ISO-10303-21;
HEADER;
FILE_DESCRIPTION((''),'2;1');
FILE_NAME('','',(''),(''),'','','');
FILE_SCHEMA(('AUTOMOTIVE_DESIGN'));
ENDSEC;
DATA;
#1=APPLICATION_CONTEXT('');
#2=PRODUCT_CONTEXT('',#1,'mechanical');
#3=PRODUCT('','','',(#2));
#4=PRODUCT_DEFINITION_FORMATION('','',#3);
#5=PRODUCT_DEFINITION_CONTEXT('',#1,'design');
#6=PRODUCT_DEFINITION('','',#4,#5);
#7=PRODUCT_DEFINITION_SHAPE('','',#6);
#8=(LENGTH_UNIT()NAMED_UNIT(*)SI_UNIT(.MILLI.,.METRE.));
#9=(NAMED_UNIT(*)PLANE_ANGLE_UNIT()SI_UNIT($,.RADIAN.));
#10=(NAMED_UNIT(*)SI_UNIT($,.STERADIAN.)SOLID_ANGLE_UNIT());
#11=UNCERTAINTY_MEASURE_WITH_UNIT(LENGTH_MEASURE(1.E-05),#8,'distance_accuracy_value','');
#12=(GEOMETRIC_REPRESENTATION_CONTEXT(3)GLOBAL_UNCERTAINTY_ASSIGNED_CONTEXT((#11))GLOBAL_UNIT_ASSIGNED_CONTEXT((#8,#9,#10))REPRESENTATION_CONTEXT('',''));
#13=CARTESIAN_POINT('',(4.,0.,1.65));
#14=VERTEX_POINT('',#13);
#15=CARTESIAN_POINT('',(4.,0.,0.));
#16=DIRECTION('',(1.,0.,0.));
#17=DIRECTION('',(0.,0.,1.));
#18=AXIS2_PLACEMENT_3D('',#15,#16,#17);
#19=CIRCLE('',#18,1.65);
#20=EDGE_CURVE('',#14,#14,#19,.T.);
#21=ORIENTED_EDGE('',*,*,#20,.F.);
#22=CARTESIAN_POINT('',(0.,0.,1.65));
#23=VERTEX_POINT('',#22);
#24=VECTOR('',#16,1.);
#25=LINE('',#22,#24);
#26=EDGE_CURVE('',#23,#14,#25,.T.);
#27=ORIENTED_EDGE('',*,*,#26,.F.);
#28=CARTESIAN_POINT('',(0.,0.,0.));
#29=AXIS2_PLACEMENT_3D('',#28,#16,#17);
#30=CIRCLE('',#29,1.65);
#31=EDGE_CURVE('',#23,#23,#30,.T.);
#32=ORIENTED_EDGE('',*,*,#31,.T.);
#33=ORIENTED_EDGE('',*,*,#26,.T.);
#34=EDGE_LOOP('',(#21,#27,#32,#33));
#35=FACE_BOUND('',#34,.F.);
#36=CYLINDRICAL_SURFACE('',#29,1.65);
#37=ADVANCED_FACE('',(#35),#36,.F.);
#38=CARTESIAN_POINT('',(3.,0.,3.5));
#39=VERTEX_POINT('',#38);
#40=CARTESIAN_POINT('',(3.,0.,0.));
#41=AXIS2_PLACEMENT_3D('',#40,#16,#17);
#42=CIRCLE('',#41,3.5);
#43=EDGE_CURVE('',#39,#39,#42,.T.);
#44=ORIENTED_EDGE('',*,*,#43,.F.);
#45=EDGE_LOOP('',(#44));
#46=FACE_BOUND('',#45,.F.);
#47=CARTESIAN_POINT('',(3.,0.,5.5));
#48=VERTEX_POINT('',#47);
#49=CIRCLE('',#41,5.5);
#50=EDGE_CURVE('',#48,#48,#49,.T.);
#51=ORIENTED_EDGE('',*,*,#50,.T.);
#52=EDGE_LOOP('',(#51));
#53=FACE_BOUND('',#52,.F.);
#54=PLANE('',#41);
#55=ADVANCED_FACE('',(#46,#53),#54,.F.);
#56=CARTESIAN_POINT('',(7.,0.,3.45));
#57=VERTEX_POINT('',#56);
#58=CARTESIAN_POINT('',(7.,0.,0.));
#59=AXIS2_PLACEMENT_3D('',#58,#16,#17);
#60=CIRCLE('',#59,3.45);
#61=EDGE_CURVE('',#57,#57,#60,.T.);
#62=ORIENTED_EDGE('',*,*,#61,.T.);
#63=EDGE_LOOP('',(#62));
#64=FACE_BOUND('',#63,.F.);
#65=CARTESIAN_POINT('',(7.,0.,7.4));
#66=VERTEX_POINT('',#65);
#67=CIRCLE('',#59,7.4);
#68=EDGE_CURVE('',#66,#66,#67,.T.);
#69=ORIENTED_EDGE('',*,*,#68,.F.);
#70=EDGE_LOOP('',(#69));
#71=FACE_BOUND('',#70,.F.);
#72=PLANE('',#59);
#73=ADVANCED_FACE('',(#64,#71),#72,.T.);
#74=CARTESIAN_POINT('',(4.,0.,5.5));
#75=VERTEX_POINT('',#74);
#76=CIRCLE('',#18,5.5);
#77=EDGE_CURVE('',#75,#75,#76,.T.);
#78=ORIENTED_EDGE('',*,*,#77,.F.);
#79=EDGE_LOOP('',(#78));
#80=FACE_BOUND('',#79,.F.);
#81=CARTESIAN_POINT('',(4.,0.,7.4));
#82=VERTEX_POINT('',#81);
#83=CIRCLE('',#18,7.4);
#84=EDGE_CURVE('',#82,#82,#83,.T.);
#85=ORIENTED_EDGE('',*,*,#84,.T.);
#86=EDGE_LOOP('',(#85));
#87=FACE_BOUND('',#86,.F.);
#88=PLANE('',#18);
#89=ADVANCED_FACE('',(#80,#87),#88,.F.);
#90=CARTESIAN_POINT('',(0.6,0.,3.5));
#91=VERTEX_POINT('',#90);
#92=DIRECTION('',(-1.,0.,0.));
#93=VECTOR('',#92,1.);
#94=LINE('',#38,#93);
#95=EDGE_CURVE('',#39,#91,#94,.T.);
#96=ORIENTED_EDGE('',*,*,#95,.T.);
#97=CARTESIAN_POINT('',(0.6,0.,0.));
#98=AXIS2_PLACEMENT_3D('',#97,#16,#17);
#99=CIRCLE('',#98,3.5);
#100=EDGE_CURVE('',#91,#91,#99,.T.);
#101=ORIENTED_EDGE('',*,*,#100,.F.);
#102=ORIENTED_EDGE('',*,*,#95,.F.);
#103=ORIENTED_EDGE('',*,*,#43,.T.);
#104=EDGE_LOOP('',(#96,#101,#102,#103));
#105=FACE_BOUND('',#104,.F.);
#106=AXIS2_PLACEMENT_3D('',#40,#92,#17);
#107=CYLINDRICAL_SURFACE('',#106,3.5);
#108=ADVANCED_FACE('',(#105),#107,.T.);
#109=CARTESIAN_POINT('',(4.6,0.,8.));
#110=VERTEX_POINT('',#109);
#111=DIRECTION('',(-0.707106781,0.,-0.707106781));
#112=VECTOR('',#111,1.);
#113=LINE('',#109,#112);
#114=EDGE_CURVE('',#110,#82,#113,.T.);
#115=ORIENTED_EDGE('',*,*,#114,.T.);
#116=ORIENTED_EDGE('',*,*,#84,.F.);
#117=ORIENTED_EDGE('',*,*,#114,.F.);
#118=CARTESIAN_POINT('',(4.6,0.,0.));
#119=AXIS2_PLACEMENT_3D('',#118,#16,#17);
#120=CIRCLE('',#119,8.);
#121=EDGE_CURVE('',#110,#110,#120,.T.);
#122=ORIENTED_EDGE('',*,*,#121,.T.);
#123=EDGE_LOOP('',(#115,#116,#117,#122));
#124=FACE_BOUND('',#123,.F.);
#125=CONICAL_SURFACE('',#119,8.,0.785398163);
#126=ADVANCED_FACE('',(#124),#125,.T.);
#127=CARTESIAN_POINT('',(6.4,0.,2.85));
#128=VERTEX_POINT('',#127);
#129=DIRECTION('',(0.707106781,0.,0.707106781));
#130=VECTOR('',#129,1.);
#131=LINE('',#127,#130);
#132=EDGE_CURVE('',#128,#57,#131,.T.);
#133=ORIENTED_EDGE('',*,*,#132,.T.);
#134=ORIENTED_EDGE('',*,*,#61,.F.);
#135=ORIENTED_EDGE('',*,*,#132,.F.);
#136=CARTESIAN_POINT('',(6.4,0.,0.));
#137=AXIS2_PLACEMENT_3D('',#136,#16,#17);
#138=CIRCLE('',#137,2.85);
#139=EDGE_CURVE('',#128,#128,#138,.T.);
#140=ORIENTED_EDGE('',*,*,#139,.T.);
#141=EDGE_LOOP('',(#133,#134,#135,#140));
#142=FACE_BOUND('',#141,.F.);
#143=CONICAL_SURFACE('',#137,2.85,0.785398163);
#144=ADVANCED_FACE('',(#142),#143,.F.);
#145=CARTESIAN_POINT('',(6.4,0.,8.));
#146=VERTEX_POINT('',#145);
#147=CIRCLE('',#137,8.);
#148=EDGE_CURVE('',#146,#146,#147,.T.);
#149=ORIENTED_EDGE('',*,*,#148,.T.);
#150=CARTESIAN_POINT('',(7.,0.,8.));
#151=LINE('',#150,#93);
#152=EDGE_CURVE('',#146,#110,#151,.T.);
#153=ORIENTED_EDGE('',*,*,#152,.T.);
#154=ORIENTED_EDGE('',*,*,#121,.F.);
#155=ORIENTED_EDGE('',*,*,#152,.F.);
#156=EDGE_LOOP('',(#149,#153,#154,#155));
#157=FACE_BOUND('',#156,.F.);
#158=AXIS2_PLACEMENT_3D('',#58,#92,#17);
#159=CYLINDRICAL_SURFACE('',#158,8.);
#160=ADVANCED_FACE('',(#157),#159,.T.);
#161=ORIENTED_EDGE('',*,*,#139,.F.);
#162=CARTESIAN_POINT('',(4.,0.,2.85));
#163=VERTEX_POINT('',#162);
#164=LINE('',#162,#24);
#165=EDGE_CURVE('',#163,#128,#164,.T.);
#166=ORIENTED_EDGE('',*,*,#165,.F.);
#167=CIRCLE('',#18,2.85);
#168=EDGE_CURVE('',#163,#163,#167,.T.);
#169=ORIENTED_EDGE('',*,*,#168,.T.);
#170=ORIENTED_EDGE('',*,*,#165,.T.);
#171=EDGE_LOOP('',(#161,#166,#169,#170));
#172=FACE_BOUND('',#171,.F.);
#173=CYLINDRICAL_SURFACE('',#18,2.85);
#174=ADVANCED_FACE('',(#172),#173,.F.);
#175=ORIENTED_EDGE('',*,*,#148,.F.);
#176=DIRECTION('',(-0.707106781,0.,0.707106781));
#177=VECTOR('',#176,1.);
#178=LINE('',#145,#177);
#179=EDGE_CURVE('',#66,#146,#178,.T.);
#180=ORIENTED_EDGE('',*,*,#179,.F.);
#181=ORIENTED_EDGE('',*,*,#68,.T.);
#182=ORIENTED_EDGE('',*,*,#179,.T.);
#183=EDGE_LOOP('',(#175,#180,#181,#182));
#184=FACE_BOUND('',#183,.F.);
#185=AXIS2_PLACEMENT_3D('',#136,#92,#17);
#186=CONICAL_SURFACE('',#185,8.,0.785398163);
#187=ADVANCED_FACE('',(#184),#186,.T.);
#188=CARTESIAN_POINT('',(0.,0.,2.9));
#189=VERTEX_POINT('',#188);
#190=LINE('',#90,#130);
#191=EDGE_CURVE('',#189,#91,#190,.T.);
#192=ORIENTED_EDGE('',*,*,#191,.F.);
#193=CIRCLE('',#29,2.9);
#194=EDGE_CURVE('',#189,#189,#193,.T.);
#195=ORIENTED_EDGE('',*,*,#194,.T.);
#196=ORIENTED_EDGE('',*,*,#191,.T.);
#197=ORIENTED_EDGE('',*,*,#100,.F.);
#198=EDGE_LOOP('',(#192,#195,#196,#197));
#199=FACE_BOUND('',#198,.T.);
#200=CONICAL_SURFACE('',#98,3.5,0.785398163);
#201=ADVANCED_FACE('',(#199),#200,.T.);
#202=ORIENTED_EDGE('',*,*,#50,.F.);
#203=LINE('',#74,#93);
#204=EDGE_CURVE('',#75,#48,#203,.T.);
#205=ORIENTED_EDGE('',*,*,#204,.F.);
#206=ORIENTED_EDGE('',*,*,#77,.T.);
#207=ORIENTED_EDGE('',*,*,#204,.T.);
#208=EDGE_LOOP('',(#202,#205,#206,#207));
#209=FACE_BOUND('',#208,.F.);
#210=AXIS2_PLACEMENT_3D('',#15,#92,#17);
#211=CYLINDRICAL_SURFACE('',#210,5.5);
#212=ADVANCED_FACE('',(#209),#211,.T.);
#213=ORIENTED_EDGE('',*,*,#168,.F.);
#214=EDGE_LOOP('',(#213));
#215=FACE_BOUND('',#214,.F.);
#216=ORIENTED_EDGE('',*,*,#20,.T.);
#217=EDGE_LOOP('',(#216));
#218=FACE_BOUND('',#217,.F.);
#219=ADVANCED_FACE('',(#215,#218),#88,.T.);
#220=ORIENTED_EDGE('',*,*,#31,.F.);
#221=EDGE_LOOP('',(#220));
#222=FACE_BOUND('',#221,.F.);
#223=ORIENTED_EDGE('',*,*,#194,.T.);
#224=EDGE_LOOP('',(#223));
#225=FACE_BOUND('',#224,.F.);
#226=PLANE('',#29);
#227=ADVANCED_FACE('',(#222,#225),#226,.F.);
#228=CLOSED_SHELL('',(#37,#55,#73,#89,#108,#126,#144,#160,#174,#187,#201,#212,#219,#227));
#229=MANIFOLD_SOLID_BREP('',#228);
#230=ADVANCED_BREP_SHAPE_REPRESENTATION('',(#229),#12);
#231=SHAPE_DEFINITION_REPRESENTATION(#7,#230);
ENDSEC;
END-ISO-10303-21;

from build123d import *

# Parameters (mm, degrees)
F2_SIZE = 0.6


with BuildPart() as f1:
    # F0 (on Front) → F1 (revolve)
    with BuildSketch(Plane.XZ):
        Polygon((0, 3.5), (0, 1.65), (4, 1.65), (4, 2.85), (7, 2.85), (7, 8), (4, 8), (4, 5.5), (3, 5.5), (3, 3.5), align=None)
    revolve(axis=Axis((4.068514, 0, 0), (1, 0, 0)))

    # F2
    f2_edges = [f1.edges().sort_by_distance(p)[0] for p in [
        (7, 0, -8),
        (4, 0, -8),
        (7, 0, -2.85),
        (0, 0, -3.5),
    ]]
    chamfer(f2_edges, length=F2_SIZE)


solid = f1.part
